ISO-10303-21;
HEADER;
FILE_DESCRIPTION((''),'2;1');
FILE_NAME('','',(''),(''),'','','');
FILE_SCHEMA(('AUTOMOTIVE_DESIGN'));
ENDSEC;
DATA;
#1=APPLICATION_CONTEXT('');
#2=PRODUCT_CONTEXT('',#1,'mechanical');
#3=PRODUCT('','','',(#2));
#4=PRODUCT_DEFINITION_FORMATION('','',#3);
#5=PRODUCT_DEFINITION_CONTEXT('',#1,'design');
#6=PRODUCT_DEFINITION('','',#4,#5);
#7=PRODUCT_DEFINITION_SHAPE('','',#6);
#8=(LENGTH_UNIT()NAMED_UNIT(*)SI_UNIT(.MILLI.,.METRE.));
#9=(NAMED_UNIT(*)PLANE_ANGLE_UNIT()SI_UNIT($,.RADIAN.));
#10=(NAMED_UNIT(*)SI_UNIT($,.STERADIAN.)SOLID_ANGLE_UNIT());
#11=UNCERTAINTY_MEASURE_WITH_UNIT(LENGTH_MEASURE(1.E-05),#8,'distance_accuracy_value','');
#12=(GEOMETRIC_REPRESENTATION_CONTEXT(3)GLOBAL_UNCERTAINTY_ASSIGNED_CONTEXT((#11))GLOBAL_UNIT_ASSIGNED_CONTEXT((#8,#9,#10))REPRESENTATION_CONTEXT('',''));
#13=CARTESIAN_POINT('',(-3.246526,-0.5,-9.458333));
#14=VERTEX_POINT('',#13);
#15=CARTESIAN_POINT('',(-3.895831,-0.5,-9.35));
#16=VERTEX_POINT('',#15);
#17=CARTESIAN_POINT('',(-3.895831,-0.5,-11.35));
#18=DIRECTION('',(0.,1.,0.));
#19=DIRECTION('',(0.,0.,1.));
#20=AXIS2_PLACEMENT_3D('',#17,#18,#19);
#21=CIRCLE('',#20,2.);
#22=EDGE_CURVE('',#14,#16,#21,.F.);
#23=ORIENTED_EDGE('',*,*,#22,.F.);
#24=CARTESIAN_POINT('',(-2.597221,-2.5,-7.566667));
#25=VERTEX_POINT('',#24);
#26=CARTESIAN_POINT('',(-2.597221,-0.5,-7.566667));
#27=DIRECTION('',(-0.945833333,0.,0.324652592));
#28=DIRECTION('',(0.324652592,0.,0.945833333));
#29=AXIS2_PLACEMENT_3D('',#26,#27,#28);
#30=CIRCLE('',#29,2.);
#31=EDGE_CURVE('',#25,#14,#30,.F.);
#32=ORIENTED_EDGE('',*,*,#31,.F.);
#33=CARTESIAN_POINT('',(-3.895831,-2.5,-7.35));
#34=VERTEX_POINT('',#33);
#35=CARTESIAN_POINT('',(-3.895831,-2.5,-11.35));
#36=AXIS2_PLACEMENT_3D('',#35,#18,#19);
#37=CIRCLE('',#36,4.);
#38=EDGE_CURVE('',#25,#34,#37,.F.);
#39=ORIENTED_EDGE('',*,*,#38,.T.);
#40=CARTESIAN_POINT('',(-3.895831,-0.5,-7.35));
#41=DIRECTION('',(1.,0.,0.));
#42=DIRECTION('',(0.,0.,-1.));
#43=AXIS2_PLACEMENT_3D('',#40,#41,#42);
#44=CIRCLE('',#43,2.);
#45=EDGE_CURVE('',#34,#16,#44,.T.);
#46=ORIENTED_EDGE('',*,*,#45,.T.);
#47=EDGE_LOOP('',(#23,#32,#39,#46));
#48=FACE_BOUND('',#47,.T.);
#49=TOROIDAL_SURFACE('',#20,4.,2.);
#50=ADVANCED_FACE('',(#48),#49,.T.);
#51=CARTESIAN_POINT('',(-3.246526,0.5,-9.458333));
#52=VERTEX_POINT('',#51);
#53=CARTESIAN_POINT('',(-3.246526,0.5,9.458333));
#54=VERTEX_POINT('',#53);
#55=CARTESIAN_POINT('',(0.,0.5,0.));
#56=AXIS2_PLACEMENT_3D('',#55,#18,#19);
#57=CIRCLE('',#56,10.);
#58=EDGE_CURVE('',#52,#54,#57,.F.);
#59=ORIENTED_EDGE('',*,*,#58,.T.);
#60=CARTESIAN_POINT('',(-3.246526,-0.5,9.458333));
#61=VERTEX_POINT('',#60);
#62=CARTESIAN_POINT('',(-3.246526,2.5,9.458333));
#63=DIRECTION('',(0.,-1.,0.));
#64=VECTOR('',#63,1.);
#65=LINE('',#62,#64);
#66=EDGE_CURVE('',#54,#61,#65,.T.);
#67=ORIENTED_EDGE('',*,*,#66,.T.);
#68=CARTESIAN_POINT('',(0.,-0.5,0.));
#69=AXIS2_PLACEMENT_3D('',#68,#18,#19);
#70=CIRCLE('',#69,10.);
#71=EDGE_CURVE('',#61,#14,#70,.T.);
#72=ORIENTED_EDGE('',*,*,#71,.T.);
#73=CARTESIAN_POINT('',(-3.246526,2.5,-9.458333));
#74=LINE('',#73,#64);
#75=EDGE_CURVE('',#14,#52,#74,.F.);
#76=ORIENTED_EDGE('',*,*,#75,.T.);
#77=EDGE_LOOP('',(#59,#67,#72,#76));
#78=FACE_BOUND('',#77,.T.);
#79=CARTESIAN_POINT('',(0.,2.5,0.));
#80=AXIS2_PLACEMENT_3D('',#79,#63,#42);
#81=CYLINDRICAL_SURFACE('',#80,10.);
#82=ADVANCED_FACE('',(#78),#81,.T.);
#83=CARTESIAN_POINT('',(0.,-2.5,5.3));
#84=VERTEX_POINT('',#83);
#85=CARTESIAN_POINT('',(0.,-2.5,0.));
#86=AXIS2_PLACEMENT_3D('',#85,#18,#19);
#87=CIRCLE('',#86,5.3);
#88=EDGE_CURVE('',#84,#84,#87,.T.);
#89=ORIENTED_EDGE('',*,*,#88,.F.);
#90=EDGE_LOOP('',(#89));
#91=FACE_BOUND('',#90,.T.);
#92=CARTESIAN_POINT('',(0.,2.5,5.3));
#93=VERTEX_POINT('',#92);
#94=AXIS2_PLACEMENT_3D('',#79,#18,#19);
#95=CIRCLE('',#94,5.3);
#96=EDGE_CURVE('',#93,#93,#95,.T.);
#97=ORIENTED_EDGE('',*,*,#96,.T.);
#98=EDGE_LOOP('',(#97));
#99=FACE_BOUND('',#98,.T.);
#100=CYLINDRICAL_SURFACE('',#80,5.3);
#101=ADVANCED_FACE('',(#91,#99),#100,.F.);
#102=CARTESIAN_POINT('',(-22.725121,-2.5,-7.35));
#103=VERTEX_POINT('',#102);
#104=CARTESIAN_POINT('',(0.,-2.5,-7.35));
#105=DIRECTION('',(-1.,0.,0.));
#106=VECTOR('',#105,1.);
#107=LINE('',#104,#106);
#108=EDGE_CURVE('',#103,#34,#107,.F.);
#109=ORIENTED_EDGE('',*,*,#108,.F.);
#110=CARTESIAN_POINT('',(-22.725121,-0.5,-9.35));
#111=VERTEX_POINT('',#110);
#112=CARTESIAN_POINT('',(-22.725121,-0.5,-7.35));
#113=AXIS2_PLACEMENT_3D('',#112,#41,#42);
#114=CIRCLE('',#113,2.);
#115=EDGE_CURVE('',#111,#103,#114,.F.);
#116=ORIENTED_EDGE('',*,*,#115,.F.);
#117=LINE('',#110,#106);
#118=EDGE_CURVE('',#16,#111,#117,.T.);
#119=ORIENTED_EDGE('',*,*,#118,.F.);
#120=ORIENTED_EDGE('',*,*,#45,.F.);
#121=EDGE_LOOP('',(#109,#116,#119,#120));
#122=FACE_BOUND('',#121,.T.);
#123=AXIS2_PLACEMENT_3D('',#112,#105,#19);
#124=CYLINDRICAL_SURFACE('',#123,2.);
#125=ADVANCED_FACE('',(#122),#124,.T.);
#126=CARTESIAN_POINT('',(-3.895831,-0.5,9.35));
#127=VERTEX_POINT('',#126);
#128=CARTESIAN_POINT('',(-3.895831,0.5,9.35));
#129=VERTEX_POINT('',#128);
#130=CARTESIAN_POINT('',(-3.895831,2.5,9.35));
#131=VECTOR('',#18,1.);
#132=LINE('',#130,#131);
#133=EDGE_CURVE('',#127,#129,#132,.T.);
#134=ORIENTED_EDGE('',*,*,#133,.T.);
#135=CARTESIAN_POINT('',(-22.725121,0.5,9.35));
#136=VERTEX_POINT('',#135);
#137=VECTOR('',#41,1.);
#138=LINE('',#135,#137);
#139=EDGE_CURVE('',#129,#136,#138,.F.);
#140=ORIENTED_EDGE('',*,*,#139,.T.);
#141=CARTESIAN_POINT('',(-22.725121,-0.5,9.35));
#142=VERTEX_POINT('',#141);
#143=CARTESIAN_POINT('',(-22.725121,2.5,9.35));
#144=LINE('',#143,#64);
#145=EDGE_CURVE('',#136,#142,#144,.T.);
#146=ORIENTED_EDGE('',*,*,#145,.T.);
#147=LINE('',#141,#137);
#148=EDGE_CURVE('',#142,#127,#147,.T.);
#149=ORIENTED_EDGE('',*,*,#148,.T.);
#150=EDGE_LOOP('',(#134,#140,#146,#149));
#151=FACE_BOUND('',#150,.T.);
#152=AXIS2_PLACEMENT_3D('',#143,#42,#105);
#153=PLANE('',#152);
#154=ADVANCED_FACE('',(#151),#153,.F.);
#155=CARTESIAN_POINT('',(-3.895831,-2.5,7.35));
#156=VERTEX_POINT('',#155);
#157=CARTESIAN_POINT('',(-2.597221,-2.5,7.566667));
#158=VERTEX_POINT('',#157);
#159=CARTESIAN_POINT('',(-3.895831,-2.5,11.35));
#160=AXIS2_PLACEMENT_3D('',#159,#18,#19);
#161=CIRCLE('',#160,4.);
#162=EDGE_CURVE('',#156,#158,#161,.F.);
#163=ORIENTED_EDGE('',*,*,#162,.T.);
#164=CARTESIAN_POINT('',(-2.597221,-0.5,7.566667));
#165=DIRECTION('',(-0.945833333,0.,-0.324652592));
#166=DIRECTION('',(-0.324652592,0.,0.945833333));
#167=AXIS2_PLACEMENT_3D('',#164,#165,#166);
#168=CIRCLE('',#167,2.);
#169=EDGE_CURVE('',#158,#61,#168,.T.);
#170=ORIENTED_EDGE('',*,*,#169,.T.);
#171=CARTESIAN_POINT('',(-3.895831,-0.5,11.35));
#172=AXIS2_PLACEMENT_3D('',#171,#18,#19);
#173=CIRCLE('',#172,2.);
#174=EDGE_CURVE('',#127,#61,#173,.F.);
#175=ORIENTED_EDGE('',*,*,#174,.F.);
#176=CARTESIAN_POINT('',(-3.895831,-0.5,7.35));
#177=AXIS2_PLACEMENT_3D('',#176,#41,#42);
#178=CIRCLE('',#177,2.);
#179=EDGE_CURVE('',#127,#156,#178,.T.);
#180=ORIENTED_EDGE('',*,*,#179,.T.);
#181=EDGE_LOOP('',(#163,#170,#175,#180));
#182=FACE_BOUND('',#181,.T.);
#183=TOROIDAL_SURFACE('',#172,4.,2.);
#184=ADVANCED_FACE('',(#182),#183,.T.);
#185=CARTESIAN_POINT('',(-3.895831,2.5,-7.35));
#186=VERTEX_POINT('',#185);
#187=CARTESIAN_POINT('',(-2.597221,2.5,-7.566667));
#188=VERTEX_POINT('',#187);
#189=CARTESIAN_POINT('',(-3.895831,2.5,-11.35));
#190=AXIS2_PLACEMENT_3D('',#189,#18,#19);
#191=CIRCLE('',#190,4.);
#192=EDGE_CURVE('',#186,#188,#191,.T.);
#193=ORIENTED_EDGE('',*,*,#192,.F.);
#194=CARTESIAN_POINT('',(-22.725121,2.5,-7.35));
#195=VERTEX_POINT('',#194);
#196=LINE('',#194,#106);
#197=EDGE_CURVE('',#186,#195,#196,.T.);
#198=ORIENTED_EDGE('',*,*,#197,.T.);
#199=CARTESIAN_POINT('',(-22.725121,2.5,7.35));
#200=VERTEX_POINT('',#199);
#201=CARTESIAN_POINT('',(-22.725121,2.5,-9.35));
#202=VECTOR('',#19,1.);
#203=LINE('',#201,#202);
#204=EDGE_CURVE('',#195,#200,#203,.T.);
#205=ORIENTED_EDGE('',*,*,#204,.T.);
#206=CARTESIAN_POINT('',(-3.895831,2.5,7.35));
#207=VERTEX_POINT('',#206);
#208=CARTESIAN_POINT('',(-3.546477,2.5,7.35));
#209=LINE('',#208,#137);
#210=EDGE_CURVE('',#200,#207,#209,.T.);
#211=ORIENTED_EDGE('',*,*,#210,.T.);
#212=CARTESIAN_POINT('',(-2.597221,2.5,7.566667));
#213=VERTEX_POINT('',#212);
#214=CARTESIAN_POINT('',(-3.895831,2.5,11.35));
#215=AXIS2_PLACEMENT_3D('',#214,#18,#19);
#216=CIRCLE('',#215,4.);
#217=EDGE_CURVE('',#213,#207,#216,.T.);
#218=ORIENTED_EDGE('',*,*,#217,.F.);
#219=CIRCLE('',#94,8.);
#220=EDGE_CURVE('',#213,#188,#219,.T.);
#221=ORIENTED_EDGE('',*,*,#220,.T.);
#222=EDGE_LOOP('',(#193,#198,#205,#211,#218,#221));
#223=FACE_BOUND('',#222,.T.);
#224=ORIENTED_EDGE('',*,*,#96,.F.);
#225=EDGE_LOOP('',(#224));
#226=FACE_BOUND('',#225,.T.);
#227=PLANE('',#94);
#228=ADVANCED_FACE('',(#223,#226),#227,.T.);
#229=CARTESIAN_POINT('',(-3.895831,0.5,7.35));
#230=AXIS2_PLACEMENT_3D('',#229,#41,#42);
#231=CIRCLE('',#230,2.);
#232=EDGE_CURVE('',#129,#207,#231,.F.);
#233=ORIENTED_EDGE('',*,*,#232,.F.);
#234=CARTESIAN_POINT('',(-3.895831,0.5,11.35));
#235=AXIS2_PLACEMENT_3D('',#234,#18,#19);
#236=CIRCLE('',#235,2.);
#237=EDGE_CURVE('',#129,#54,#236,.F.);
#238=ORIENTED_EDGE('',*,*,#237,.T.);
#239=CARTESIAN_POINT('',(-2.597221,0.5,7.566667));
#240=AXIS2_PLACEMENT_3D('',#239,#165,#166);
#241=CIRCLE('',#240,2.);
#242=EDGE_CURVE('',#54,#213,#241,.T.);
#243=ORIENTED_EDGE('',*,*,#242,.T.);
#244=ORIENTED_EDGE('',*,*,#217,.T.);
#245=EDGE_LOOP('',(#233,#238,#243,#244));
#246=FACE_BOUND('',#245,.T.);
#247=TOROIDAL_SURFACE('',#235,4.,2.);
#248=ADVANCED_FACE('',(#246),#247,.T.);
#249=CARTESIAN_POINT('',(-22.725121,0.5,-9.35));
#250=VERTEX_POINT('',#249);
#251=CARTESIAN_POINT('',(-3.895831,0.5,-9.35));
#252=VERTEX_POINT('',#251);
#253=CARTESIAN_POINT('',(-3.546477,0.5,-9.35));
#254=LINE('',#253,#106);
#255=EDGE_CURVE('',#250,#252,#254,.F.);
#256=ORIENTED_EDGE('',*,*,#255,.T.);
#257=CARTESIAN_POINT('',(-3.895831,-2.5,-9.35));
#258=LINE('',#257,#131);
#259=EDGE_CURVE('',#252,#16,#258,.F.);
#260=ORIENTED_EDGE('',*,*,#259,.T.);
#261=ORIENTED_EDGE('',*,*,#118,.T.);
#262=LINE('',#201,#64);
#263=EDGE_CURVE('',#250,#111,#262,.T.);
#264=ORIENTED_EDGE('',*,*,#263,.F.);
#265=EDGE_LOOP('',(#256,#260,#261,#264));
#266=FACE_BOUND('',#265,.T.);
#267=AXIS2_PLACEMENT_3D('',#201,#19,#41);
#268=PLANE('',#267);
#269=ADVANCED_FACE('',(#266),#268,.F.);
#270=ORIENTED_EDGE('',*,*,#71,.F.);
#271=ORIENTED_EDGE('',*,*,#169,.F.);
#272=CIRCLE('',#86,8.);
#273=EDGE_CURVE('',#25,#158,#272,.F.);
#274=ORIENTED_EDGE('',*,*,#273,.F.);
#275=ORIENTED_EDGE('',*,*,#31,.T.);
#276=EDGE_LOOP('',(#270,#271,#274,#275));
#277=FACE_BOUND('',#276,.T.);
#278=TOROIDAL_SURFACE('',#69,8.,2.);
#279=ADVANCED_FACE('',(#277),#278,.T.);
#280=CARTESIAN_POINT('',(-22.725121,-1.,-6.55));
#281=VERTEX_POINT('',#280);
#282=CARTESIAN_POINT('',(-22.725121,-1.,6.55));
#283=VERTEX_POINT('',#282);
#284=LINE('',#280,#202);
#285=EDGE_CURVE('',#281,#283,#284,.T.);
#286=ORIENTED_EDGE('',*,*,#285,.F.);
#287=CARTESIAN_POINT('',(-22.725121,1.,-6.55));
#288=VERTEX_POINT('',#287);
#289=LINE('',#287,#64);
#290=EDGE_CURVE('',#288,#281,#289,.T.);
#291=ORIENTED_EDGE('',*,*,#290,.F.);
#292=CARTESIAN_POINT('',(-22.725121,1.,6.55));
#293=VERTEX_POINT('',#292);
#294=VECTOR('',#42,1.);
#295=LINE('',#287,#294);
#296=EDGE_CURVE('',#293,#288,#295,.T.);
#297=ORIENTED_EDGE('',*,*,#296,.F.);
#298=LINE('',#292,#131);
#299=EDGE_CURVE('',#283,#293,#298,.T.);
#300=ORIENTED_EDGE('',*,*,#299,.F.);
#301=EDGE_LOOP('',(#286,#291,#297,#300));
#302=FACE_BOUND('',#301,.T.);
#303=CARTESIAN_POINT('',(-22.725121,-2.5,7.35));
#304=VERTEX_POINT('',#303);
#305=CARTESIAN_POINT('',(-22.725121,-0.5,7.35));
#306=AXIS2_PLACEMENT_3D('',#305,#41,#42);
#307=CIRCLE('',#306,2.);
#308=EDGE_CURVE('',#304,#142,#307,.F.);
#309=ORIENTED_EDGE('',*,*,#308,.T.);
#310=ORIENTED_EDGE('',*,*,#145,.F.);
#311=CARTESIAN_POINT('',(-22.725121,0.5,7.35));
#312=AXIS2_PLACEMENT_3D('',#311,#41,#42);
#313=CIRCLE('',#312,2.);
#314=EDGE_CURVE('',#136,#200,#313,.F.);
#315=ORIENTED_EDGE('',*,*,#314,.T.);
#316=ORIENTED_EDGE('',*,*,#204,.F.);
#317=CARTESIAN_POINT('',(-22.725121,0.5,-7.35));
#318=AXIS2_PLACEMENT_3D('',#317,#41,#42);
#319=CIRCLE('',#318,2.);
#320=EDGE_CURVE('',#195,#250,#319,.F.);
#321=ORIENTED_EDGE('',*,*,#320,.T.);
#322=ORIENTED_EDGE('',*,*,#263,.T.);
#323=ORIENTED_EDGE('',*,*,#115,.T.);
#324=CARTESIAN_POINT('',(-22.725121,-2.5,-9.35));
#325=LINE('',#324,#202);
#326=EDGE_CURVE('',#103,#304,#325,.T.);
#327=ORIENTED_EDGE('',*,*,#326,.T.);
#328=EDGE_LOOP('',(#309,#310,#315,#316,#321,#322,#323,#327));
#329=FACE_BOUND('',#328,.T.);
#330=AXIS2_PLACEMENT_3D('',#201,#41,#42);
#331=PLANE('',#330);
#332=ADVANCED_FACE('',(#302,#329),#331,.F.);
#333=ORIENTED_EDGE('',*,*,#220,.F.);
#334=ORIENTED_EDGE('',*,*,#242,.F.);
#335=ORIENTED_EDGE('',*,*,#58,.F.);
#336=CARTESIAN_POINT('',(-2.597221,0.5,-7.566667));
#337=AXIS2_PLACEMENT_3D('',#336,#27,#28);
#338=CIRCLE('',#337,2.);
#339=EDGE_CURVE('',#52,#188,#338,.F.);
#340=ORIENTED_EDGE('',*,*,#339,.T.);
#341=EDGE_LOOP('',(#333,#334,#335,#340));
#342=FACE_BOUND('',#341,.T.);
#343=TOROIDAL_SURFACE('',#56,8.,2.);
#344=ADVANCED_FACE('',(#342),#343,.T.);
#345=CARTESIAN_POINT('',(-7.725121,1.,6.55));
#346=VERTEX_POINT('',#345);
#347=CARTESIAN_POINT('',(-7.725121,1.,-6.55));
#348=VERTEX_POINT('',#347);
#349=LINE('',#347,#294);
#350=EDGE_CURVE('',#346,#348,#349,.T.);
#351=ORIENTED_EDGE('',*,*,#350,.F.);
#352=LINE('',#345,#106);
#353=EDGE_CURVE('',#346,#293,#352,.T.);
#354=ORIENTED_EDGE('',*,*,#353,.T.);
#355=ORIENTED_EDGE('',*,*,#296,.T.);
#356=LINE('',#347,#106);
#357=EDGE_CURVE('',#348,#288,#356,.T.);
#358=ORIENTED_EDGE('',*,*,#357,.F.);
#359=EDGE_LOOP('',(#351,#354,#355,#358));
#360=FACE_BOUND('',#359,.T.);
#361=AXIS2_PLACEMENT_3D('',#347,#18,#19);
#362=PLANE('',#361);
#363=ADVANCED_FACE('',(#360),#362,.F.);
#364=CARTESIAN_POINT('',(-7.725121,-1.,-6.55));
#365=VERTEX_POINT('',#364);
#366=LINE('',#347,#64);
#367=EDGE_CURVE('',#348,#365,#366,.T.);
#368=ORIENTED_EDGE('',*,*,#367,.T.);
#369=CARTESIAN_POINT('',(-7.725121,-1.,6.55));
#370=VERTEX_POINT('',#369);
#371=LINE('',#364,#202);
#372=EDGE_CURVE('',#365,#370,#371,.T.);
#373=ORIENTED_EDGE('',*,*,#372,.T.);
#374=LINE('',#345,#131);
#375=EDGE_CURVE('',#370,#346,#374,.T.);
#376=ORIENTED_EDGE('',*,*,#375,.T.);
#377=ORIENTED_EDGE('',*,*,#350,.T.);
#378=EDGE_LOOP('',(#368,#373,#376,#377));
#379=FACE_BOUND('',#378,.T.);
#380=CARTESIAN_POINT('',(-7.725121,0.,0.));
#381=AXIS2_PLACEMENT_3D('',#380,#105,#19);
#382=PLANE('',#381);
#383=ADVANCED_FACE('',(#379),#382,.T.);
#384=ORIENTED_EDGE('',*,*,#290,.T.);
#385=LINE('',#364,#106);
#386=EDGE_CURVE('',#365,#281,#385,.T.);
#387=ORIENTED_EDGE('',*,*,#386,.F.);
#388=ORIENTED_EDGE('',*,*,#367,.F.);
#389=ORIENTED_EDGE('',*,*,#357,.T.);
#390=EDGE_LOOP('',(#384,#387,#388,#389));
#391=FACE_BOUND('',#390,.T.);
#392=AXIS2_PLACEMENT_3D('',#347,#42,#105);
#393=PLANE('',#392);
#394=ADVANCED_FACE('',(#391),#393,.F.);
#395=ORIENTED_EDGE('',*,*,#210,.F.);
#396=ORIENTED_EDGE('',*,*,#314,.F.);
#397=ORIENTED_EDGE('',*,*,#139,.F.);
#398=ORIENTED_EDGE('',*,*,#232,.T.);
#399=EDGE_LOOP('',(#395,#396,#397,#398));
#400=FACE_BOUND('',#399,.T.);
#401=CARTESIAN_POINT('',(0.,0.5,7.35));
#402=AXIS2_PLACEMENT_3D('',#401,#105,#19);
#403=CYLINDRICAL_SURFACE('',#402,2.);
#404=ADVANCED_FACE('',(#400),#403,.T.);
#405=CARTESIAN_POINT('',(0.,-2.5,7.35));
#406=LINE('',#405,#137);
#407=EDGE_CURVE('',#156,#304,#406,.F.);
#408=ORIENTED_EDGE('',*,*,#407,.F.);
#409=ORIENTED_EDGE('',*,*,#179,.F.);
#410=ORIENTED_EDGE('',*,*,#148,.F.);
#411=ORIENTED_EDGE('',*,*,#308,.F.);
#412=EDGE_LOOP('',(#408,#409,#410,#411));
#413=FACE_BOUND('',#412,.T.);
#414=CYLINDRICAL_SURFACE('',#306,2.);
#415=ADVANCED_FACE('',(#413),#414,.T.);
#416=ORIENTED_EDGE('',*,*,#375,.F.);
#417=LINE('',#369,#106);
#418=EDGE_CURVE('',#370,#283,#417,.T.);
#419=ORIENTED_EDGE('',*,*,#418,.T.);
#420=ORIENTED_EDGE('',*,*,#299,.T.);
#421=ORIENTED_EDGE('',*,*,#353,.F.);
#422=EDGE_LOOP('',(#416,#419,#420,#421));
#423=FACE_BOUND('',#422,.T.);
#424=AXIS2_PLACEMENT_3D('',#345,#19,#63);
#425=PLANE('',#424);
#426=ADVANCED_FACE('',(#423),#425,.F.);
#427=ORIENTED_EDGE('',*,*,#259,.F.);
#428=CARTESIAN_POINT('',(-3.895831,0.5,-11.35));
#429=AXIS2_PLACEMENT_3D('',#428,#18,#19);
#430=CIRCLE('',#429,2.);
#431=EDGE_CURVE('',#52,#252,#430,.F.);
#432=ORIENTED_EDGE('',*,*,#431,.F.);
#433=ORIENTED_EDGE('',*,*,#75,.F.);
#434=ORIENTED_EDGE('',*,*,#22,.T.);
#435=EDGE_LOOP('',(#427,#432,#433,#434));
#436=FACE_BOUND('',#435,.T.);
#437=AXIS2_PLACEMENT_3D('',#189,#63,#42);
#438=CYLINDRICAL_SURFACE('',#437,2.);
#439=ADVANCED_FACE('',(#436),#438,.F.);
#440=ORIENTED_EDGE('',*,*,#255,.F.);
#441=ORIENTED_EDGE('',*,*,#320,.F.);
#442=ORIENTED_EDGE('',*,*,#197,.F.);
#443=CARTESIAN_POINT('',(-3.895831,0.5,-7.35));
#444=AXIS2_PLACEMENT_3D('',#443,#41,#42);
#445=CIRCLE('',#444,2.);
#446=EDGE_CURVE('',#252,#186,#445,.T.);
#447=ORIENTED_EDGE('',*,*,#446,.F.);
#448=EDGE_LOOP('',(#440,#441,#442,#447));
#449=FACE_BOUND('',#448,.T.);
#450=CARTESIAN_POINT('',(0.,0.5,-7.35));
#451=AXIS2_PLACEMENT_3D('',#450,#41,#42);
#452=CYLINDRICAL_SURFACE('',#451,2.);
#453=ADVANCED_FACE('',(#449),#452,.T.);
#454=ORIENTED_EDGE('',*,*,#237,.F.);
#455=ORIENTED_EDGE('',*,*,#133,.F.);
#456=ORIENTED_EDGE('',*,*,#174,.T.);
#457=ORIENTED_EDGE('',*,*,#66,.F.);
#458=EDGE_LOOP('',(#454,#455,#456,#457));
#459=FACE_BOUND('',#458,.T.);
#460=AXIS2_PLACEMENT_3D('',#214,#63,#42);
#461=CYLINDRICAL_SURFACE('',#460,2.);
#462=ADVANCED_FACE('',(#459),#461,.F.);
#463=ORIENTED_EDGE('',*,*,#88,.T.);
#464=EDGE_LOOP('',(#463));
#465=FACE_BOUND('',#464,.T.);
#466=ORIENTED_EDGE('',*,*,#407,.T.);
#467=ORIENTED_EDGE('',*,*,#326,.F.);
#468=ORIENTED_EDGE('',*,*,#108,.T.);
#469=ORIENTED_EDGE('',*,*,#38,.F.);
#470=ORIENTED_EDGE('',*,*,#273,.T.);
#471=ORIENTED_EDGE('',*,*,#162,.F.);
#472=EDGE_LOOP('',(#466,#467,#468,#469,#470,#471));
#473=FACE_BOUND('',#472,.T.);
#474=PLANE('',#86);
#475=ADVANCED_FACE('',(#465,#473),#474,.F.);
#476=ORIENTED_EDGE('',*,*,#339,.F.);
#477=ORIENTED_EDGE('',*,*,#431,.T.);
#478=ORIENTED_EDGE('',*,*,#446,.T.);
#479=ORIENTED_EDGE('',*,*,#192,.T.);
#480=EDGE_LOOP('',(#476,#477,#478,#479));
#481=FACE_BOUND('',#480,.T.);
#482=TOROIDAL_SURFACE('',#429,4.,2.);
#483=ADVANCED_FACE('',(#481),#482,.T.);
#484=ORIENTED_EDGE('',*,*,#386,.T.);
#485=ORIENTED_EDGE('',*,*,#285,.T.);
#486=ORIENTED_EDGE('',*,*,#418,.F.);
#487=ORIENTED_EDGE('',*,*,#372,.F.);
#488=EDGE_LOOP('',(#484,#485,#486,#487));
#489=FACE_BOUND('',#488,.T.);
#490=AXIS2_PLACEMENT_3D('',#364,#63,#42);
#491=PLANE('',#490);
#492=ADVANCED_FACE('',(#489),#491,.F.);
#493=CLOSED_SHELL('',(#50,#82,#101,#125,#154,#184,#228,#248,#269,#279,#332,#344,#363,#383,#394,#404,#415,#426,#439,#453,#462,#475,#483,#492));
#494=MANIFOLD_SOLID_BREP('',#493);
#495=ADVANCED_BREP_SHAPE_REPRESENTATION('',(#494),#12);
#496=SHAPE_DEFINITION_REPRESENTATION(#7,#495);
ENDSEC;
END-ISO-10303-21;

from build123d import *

# Parameters (mm, degrees)
CROQUIS1_R              = 5.3
SALIENTE_EXTRUIR1_DEPTH = 2.5
CROQUIS2_W              = 13.1
CROQUIS2_H              = 2
CORTAR_EXTRUIR1_DEPTH   = 15
REDONDEO1_R             = 2


with BuildPart() as part:
    # Croquis1 → Saliente-Extruir1 (new, symmetric)
    with BuildSketch(Plane(origin=(0, 0, 0), x_dir=(1, 0, 0), z_dir=(0, 1, 0))):
        with BuildLine():
            Line((-22.725121358, 9.35), (-3.546477125, 9.35))
            ThreePointArc((-3.546477125, 9.35), (10, 0), (-3.546477125, -9.35))
            Line((-3.546477125, -9.35), (-22.725121358, -9.35))
            Line((-22.725121358, -9.35), (-22.725121358, 9.35))
        make_face()
        with Locations(Location((0, 0, 0), (0, 0, 270))):
            Circle(CROQUIS1_R, mode=Mode.SUBTRACT)
    extrude(amount=SALIENTE_EXTRUIR1_DEPTH, both=True)

    # Croquis2 → Cortar-Extruir1 (cut)
    with BuildSketch(Plane.ZY.offset(22.725121358)):
        Rectangle(CROQUIS2_W, CROQUIS2_H)
    extrude(amount=-CORTAR_EXTRUIR1_DEPTH, mode=Mode.SUBTRACT)

    # Redondeo1
    redondeo1_edges = [part.edges().sort_by_distance(p)[0] for p in [
        (10, 2.5, 0),
        (-13.135799242, 2.5, -9.35),
        (-13.135799242, -2.5, -9.35),
        (10, -2.5, 0),
        (-13.135799242, -2.5, 9.35),
        (-13.135799242, 2.5, 9.35),
        (-3.546477125, 0, -9.35),
        (-3.546477125, 0, 9.35),
    ]]
    fillet(redondeo1_edges, radius=REDONDEO1_R)


solid = part.part
